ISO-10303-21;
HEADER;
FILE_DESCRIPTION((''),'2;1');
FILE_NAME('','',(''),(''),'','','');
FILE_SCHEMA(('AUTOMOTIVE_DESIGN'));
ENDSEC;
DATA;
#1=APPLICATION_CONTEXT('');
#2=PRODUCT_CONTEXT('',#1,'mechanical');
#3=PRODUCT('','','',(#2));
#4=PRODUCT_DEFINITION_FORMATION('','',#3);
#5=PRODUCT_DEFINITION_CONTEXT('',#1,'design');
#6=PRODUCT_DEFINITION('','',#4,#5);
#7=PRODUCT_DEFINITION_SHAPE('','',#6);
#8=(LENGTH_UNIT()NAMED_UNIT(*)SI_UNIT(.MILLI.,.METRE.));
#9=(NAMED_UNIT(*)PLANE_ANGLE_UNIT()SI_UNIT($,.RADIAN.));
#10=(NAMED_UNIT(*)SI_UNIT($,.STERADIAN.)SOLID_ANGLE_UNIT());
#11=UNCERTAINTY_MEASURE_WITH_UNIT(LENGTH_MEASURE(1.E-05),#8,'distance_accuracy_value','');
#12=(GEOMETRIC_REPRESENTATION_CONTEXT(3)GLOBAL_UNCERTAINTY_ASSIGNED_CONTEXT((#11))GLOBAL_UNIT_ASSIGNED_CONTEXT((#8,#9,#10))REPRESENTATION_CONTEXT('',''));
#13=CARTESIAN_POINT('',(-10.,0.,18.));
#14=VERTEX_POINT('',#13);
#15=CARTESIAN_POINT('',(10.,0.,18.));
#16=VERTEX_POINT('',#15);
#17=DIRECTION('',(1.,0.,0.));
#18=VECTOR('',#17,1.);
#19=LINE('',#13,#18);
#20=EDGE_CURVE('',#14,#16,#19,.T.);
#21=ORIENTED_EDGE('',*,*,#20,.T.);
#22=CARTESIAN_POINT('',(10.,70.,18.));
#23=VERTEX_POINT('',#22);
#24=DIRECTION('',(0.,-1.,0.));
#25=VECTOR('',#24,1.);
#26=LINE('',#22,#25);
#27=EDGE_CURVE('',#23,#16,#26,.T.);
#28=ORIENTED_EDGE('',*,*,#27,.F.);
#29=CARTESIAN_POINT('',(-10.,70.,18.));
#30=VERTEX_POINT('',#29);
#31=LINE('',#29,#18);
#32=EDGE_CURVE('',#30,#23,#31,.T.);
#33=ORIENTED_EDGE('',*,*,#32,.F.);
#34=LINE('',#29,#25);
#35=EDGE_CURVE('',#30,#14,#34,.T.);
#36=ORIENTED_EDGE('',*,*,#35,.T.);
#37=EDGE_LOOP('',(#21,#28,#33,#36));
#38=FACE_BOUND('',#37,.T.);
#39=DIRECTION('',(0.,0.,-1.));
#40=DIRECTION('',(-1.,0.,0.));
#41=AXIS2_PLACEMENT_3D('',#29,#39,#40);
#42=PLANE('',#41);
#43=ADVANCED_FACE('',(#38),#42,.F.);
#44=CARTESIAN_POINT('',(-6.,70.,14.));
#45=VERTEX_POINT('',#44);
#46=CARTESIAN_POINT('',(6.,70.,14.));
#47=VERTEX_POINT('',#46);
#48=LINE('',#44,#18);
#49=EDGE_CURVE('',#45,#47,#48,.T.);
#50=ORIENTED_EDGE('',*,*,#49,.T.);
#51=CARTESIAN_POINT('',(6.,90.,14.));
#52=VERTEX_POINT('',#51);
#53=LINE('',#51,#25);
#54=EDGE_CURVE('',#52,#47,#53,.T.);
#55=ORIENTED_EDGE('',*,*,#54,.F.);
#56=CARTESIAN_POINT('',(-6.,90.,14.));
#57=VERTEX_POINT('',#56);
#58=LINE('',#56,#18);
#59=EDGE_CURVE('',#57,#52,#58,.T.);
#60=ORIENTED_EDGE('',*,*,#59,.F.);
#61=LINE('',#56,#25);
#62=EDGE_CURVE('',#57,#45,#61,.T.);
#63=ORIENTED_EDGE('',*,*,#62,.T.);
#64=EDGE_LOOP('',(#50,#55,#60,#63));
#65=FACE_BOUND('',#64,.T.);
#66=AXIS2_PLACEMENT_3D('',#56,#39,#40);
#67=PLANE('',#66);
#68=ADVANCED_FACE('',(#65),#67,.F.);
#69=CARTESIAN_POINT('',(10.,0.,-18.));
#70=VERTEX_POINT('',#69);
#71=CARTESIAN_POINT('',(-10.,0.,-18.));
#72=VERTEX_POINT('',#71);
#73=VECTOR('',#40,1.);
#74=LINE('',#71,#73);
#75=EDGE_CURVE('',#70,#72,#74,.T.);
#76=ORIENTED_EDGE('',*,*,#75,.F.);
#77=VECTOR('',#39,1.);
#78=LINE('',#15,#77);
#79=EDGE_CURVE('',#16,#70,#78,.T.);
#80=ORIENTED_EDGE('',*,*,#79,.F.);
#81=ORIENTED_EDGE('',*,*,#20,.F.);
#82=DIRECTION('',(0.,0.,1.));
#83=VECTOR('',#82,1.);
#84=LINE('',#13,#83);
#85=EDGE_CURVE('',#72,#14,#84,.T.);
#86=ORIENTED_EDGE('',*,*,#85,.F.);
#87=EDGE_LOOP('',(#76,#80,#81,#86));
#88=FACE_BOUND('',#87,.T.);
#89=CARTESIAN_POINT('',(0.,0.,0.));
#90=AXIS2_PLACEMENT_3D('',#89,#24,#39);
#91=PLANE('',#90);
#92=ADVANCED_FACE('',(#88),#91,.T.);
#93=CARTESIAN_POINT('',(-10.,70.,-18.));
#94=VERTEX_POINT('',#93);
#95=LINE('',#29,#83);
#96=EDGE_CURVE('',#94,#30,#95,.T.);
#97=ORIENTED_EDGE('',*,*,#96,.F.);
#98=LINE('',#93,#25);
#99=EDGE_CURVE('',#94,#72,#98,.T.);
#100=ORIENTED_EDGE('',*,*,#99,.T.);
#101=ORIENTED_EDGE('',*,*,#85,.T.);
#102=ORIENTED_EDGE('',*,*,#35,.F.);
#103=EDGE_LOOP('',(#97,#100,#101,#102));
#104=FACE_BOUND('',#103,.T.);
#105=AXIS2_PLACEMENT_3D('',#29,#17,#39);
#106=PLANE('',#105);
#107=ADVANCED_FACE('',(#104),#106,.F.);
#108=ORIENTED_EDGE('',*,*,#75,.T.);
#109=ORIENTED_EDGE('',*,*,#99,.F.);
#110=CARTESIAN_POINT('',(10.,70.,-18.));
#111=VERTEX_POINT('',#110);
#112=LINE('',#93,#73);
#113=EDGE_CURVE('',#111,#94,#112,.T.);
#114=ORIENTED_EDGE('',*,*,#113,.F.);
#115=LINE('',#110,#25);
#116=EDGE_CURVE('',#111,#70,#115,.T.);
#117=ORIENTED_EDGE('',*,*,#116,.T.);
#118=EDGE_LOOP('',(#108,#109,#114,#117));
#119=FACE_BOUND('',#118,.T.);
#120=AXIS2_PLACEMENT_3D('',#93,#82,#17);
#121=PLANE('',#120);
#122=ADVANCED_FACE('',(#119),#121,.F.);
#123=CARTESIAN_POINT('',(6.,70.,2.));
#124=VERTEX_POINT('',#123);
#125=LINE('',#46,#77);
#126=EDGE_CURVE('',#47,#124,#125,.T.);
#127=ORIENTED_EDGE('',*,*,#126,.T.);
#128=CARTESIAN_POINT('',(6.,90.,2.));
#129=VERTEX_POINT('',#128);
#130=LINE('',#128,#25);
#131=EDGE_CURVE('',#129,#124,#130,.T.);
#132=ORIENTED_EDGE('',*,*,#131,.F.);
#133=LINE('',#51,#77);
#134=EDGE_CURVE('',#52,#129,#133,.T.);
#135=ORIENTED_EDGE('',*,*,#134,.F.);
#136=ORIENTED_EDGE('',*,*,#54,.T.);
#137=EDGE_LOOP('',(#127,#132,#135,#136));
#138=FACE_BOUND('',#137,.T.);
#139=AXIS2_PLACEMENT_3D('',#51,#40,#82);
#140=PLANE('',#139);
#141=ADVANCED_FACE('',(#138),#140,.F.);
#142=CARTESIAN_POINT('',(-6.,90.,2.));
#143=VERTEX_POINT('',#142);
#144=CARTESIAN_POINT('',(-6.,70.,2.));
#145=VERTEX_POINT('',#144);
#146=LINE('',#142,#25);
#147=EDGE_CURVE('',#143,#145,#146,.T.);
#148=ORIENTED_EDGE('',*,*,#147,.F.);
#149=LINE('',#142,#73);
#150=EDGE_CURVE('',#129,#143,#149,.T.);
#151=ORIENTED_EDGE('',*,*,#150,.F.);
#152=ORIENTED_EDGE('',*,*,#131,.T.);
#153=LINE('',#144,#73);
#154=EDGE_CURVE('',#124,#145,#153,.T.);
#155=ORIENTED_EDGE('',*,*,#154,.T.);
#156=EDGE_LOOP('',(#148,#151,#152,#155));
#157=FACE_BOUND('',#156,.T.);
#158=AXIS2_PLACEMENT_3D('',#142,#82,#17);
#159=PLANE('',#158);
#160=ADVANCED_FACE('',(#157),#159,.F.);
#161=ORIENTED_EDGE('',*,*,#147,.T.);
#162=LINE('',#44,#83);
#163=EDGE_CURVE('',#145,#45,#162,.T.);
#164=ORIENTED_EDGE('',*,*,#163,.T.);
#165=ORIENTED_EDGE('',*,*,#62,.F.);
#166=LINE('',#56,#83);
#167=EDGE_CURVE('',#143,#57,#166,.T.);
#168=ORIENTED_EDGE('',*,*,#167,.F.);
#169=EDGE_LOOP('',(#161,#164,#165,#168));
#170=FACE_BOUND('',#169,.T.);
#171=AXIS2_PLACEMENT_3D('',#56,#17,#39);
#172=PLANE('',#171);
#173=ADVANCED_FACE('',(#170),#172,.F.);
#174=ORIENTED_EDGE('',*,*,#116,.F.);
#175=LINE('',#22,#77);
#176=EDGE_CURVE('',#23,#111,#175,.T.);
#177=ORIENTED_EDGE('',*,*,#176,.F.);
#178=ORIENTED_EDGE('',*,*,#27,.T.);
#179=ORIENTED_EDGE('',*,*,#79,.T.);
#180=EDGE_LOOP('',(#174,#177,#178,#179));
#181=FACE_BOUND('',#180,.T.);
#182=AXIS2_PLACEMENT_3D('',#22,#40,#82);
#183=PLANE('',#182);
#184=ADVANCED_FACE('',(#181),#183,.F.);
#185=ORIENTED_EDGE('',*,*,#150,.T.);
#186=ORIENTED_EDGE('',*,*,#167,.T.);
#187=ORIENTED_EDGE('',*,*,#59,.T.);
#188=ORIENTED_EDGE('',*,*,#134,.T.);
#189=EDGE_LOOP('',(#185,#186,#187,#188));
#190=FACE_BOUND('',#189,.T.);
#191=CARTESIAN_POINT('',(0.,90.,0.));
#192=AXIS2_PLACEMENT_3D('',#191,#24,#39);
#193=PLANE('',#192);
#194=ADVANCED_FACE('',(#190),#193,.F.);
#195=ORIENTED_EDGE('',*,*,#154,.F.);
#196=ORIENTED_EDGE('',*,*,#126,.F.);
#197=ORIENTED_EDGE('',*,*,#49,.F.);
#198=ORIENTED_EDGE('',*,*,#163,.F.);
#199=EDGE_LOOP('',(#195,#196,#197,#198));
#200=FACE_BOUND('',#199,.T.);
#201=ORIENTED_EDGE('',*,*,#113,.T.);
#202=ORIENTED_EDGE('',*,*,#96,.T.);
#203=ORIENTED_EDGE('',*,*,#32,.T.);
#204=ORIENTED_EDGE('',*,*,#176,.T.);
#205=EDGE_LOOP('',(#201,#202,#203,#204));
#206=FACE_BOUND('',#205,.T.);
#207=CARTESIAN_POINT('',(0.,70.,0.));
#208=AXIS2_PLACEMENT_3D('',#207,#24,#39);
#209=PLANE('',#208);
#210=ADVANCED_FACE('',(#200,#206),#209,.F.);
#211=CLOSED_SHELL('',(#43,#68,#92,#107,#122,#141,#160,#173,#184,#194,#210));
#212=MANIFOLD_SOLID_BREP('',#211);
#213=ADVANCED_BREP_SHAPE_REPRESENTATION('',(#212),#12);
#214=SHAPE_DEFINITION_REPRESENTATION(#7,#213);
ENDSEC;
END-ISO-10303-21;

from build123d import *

# Parameters (mm, degrees)
SKETCH1_W           = 20
SKETCH1_H           = 36
BOSS_EXTRUDE1_DEPTH = 70
SKETCH2_W           = 12
SKETCH2_H           = 12
BOSS_EXTRUDE2_DEPTH = 20


with BuildPart() as part:
    # Sketch1 → Boss-Extrude1 (new body)
    with BuildSketch(Plane(origin=(0, 0, 0), x_dir=(1, 0, 0), z_dir=(0, 1, 0))):
        Rectangle(SKETCH1_W, SKETCH1_H)
    extrude(amount=BOSS_EXTRUDE1_DEPTH)

    # Sketch2 → Boss-Extrude2 (add)
    with BuildSketch(Plane(origin=(0, 70, 0), x_dir=(1, 0, 0), z_dir=(0, 1, 0))):
        with Locations((0, -8)):
            Rectangle(SKETCH2_W, SKETCH2_H)
    extrude(amount=BOSS_EXTRUDE2_DEPTH)


solid = part.part
